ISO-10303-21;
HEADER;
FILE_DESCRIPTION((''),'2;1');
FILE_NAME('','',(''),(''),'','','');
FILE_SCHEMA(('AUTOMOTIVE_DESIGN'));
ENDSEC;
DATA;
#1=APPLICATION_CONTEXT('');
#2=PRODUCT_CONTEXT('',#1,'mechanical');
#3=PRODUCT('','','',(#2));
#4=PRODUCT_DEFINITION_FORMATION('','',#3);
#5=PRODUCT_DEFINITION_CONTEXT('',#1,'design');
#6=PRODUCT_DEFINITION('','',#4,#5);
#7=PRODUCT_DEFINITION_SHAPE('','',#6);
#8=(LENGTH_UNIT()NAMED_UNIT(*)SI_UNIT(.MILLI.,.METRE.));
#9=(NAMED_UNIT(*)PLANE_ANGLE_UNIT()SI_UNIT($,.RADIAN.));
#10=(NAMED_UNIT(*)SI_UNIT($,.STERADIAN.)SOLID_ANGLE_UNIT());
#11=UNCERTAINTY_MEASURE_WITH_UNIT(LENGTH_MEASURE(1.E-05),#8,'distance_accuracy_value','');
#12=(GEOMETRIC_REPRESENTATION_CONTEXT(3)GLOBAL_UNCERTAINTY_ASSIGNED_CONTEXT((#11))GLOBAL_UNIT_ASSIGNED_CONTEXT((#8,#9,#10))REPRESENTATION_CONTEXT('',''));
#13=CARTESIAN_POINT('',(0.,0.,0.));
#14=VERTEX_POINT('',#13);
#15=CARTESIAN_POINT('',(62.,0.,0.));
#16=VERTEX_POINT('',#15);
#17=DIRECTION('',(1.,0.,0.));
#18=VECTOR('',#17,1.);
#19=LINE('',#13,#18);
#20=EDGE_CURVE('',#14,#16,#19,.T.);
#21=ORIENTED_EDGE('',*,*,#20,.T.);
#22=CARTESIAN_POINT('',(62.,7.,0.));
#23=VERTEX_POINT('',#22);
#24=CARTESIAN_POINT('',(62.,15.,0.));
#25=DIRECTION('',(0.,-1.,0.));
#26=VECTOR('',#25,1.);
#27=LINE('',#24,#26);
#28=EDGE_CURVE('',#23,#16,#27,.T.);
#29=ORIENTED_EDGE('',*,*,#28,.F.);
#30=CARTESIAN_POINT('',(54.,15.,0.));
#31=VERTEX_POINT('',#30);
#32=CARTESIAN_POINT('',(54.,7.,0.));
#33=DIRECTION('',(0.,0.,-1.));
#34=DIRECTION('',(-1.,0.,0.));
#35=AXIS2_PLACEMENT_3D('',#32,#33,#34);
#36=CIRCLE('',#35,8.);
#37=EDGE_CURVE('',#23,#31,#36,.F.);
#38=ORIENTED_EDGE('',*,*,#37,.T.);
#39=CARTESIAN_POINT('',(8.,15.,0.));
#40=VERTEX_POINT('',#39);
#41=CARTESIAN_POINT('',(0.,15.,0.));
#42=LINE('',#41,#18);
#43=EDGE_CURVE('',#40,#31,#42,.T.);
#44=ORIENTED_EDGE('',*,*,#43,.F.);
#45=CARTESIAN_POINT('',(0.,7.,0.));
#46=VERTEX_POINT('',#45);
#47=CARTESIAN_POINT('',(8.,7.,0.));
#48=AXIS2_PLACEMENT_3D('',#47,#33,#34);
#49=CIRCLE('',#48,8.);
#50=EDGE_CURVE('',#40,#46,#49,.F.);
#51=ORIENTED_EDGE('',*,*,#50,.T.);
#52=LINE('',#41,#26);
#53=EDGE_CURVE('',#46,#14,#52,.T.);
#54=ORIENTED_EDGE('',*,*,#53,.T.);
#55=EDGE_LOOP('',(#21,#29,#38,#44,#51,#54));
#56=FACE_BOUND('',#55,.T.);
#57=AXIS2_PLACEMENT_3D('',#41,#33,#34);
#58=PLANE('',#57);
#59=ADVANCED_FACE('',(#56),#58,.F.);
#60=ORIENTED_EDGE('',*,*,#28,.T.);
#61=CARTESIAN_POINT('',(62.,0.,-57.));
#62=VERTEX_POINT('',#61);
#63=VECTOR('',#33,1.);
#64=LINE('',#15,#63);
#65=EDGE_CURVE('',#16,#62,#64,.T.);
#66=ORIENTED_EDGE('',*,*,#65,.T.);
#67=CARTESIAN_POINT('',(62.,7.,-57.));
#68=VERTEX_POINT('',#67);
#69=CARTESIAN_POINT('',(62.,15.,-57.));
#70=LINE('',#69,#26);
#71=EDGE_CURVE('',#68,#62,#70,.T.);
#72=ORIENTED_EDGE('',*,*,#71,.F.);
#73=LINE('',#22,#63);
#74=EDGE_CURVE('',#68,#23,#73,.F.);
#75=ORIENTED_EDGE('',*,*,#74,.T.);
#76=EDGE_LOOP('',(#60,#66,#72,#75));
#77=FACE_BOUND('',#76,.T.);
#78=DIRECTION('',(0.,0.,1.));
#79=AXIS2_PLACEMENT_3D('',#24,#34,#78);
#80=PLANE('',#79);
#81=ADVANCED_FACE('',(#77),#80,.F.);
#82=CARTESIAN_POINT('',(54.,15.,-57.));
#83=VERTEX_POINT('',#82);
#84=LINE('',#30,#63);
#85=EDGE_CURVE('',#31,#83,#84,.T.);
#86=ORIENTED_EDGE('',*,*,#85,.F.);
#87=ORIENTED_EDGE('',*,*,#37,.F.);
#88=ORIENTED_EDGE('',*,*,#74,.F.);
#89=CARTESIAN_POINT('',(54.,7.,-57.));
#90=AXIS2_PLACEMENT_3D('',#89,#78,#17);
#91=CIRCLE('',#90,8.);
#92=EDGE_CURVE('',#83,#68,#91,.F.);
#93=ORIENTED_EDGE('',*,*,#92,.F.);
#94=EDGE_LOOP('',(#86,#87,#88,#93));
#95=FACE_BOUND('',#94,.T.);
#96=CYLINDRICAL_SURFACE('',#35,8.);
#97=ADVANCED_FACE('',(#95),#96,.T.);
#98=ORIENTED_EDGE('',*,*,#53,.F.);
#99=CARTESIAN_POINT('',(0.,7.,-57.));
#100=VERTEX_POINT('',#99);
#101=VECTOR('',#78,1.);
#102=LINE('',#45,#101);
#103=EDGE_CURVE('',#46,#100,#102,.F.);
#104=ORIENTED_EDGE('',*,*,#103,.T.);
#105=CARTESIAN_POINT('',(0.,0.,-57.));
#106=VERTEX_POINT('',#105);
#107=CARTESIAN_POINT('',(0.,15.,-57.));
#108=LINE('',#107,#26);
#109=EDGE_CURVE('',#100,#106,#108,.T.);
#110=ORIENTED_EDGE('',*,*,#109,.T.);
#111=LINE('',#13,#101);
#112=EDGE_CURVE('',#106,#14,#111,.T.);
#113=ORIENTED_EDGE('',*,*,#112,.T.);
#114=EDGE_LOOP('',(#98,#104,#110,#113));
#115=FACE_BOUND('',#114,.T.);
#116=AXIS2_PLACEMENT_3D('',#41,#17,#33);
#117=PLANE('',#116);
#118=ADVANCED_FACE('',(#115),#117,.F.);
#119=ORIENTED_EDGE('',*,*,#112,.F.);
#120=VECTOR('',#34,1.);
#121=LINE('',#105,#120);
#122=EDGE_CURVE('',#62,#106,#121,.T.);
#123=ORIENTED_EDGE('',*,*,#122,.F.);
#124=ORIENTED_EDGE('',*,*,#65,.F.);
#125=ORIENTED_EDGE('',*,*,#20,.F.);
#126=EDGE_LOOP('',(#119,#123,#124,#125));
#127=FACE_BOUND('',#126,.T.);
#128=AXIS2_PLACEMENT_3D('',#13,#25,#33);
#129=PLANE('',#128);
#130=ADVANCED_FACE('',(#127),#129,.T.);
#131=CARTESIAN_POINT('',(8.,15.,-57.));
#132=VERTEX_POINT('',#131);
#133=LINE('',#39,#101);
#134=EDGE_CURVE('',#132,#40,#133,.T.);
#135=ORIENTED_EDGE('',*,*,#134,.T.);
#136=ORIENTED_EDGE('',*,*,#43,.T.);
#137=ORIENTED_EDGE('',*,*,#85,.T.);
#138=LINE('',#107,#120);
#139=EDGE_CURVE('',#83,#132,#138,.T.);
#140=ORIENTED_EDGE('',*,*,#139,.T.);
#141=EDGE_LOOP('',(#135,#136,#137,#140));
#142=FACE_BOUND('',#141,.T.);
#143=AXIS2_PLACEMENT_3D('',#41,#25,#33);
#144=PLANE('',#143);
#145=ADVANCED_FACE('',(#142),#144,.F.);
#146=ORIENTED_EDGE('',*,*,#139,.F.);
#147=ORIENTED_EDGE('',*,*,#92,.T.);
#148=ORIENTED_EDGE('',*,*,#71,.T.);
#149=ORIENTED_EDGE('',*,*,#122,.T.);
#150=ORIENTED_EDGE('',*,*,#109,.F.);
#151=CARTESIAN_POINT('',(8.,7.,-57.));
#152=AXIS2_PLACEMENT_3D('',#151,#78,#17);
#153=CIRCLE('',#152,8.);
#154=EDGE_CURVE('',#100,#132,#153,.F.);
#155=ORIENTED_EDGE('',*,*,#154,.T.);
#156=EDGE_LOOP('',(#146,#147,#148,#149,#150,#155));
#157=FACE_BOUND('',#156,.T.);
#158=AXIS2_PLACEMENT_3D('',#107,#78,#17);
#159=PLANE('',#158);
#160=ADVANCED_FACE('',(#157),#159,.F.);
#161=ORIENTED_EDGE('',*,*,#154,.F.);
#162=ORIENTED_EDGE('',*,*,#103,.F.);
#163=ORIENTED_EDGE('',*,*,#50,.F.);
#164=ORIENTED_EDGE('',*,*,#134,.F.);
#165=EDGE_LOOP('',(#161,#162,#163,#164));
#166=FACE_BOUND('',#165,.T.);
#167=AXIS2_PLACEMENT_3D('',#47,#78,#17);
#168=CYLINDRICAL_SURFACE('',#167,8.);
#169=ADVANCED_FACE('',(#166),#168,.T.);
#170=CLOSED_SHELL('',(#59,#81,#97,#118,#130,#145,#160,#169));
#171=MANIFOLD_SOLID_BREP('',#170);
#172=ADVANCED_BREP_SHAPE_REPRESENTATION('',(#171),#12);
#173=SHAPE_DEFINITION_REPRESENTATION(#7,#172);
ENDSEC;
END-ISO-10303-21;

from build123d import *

# Parameters (mm, degrees)
SKETCH1_W           = 62
SKETCH1_H           = 57
BOSS_EXTRUDE1_DEPTH = 15
FILLET1_R           = 8


with BuildPart() as part:
    # Sketch1 → Boss-Extrude1 (new body)
    with BuildSketch(Plane(origin=(0, 0, 0), x_dir=(1, 0, 0), z_dir=(0, 1, 0))):
        with Locations((31, 28.5)):
            Rectangle(SKETCH1_W, SKETCH1_H)
    extrude(amount=BOSS_EXTRUDE1_DEPTH)

    # Fillet1
    fillet1_edges = [part.edges().sort_by_distance(p)[0] for p in [
        (62, 15, -28.5),
        (0, 15, -28.5),
    ]]
    fillet(fillet1_edges, radius=FILLET1_R)


solid = part.part
